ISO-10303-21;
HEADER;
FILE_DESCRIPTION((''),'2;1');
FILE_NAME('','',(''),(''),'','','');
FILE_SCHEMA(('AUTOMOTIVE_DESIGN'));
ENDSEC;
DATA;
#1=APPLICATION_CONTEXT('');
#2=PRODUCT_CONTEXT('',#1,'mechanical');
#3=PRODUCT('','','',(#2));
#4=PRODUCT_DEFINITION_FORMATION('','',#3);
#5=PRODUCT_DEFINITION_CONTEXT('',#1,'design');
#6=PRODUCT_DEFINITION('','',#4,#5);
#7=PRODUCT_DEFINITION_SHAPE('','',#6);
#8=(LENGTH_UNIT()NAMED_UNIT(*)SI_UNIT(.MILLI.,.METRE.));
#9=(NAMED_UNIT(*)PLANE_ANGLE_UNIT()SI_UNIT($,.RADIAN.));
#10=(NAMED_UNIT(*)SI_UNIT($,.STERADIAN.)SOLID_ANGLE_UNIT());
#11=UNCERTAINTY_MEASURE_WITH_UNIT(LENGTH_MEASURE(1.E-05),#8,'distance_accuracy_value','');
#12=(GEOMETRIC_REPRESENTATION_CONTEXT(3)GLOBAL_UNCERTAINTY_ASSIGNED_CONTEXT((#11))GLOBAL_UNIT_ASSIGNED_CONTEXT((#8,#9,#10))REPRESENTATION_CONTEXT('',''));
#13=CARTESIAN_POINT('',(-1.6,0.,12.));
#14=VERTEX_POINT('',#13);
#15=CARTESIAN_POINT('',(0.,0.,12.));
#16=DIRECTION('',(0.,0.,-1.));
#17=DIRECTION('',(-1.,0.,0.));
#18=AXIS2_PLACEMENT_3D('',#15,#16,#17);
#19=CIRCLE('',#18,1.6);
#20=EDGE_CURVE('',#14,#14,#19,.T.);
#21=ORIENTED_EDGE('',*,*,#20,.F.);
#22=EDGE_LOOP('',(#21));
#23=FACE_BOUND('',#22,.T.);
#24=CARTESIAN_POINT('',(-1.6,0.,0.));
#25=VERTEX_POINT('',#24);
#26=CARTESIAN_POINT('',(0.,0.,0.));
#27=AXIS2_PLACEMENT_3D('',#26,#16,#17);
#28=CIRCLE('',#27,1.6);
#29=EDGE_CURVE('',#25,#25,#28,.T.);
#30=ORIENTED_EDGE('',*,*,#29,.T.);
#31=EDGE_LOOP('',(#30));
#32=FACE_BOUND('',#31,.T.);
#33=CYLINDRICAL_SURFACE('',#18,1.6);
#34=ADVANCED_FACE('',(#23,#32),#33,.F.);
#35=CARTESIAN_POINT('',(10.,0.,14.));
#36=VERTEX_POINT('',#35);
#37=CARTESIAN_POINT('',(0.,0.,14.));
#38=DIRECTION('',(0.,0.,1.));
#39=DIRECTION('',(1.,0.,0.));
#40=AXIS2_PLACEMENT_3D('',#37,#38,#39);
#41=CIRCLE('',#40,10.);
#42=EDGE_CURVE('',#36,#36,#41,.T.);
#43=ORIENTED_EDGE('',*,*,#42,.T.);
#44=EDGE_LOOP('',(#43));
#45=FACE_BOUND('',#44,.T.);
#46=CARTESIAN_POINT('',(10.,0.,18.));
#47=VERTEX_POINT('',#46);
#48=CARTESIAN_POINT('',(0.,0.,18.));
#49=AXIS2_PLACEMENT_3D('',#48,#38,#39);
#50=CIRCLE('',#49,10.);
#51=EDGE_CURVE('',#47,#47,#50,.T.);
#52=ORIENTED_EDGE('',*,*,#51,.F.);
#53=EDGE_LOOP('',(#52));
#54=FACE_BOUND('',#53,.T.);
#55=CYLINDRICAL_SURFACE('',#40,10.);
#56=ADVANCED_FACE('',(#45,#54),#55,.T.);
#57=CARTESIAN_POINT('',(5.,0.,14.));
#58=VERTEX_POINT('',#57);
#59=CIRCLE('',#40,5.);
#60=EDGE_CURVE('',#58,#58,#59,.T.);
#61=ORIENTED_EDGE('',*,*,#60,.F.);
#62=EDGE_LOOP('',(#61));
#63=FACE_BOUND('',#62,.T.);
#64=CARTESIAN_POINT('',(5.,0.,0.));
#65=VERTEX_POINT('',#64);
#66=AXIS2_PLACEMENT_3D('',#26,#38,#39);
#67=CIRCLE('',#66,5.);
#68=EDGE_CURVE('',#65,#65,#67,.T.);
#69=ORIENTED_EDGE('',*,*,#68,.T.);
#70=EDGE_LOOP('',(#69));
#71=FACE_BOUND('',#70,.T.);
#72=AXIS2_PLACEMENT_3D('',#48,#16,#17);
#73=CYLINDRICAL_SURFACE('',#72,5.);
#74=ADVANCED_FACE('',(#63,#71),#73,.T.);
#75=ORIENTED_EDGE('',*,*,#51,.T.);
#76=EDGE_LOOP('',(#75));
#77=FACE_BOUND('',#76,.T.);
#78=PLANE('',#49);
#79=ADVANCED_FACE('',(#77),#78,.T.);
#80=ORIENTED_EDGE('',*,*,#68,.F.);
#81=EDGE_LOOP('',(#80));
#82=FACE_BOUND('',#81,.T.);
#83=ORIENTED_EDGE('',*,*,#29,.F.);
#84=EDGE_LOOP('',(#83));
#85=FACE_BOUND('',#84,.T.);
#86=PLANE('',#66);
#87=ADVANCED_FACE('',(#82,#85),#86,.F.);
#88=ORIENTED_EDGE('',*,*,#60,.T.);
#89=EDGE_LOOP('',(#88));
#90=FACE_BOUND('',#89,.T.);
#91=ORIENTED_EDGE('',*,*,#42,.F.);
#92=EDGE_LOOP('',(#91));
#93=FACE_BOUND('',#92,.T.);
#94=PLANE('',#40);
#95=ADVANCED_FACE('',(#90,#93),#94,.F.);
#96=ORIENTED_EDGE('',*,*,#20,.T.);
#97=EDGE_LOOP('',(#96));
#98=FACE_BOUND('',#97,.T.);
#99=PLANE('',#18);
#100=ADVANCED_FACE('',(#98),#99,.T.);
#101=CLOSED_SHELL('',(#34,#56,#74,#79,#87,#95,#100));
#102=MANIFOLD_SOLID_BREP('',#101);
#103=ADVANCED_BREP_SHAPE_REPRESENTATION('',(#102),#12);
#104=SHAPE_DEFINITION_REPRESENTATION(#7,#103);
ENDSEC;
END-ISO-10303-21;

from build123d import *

# Parameters (mm, degrees)
SKETCH_1_R          = 5
EXTRUDE_1_DEPTH     = 18
SKETCH_2_R          = 10
EXTRUDE_2_DEPTH     = 4
SKETCH_3_R          = 1.6
CUT_EXTRUDE_1_DEPTH = 12


with BuildPart() as part:
    # ｽｹｯﾁ1 → ﾎﾞｽ - 押し出し1 (new body)
    with BuildSketch(Plane.XY):
        Circle(SKETCH_1_R)
    extrude(amount=EXTRUDE_1_DEPTH)

    # ｽｹｯﾁ2 → ﾎﾞｽ - 押し出し2 (add)
    with BuildSketch(Plane.XY.offset(18)):
        Circle(SKETCH_2_R)
    extrude(amount=-EXTRUDE_2_DEPTH)

    # ｽｹｯﾁ3 → ｶｯﾄ - 押し出し1 (cut)
    with BuildSketch(Plane(origin=(0, 0, 0), x_dir=(-1, 0, 0), z_dir=(0, 0, -1))):
        Circle(SKETCH_3_R)
    extrude(amount=-CUT_EXTRUDE_1_DEPTH, mode=Mode.SUBTRACT)


solid = part.part
